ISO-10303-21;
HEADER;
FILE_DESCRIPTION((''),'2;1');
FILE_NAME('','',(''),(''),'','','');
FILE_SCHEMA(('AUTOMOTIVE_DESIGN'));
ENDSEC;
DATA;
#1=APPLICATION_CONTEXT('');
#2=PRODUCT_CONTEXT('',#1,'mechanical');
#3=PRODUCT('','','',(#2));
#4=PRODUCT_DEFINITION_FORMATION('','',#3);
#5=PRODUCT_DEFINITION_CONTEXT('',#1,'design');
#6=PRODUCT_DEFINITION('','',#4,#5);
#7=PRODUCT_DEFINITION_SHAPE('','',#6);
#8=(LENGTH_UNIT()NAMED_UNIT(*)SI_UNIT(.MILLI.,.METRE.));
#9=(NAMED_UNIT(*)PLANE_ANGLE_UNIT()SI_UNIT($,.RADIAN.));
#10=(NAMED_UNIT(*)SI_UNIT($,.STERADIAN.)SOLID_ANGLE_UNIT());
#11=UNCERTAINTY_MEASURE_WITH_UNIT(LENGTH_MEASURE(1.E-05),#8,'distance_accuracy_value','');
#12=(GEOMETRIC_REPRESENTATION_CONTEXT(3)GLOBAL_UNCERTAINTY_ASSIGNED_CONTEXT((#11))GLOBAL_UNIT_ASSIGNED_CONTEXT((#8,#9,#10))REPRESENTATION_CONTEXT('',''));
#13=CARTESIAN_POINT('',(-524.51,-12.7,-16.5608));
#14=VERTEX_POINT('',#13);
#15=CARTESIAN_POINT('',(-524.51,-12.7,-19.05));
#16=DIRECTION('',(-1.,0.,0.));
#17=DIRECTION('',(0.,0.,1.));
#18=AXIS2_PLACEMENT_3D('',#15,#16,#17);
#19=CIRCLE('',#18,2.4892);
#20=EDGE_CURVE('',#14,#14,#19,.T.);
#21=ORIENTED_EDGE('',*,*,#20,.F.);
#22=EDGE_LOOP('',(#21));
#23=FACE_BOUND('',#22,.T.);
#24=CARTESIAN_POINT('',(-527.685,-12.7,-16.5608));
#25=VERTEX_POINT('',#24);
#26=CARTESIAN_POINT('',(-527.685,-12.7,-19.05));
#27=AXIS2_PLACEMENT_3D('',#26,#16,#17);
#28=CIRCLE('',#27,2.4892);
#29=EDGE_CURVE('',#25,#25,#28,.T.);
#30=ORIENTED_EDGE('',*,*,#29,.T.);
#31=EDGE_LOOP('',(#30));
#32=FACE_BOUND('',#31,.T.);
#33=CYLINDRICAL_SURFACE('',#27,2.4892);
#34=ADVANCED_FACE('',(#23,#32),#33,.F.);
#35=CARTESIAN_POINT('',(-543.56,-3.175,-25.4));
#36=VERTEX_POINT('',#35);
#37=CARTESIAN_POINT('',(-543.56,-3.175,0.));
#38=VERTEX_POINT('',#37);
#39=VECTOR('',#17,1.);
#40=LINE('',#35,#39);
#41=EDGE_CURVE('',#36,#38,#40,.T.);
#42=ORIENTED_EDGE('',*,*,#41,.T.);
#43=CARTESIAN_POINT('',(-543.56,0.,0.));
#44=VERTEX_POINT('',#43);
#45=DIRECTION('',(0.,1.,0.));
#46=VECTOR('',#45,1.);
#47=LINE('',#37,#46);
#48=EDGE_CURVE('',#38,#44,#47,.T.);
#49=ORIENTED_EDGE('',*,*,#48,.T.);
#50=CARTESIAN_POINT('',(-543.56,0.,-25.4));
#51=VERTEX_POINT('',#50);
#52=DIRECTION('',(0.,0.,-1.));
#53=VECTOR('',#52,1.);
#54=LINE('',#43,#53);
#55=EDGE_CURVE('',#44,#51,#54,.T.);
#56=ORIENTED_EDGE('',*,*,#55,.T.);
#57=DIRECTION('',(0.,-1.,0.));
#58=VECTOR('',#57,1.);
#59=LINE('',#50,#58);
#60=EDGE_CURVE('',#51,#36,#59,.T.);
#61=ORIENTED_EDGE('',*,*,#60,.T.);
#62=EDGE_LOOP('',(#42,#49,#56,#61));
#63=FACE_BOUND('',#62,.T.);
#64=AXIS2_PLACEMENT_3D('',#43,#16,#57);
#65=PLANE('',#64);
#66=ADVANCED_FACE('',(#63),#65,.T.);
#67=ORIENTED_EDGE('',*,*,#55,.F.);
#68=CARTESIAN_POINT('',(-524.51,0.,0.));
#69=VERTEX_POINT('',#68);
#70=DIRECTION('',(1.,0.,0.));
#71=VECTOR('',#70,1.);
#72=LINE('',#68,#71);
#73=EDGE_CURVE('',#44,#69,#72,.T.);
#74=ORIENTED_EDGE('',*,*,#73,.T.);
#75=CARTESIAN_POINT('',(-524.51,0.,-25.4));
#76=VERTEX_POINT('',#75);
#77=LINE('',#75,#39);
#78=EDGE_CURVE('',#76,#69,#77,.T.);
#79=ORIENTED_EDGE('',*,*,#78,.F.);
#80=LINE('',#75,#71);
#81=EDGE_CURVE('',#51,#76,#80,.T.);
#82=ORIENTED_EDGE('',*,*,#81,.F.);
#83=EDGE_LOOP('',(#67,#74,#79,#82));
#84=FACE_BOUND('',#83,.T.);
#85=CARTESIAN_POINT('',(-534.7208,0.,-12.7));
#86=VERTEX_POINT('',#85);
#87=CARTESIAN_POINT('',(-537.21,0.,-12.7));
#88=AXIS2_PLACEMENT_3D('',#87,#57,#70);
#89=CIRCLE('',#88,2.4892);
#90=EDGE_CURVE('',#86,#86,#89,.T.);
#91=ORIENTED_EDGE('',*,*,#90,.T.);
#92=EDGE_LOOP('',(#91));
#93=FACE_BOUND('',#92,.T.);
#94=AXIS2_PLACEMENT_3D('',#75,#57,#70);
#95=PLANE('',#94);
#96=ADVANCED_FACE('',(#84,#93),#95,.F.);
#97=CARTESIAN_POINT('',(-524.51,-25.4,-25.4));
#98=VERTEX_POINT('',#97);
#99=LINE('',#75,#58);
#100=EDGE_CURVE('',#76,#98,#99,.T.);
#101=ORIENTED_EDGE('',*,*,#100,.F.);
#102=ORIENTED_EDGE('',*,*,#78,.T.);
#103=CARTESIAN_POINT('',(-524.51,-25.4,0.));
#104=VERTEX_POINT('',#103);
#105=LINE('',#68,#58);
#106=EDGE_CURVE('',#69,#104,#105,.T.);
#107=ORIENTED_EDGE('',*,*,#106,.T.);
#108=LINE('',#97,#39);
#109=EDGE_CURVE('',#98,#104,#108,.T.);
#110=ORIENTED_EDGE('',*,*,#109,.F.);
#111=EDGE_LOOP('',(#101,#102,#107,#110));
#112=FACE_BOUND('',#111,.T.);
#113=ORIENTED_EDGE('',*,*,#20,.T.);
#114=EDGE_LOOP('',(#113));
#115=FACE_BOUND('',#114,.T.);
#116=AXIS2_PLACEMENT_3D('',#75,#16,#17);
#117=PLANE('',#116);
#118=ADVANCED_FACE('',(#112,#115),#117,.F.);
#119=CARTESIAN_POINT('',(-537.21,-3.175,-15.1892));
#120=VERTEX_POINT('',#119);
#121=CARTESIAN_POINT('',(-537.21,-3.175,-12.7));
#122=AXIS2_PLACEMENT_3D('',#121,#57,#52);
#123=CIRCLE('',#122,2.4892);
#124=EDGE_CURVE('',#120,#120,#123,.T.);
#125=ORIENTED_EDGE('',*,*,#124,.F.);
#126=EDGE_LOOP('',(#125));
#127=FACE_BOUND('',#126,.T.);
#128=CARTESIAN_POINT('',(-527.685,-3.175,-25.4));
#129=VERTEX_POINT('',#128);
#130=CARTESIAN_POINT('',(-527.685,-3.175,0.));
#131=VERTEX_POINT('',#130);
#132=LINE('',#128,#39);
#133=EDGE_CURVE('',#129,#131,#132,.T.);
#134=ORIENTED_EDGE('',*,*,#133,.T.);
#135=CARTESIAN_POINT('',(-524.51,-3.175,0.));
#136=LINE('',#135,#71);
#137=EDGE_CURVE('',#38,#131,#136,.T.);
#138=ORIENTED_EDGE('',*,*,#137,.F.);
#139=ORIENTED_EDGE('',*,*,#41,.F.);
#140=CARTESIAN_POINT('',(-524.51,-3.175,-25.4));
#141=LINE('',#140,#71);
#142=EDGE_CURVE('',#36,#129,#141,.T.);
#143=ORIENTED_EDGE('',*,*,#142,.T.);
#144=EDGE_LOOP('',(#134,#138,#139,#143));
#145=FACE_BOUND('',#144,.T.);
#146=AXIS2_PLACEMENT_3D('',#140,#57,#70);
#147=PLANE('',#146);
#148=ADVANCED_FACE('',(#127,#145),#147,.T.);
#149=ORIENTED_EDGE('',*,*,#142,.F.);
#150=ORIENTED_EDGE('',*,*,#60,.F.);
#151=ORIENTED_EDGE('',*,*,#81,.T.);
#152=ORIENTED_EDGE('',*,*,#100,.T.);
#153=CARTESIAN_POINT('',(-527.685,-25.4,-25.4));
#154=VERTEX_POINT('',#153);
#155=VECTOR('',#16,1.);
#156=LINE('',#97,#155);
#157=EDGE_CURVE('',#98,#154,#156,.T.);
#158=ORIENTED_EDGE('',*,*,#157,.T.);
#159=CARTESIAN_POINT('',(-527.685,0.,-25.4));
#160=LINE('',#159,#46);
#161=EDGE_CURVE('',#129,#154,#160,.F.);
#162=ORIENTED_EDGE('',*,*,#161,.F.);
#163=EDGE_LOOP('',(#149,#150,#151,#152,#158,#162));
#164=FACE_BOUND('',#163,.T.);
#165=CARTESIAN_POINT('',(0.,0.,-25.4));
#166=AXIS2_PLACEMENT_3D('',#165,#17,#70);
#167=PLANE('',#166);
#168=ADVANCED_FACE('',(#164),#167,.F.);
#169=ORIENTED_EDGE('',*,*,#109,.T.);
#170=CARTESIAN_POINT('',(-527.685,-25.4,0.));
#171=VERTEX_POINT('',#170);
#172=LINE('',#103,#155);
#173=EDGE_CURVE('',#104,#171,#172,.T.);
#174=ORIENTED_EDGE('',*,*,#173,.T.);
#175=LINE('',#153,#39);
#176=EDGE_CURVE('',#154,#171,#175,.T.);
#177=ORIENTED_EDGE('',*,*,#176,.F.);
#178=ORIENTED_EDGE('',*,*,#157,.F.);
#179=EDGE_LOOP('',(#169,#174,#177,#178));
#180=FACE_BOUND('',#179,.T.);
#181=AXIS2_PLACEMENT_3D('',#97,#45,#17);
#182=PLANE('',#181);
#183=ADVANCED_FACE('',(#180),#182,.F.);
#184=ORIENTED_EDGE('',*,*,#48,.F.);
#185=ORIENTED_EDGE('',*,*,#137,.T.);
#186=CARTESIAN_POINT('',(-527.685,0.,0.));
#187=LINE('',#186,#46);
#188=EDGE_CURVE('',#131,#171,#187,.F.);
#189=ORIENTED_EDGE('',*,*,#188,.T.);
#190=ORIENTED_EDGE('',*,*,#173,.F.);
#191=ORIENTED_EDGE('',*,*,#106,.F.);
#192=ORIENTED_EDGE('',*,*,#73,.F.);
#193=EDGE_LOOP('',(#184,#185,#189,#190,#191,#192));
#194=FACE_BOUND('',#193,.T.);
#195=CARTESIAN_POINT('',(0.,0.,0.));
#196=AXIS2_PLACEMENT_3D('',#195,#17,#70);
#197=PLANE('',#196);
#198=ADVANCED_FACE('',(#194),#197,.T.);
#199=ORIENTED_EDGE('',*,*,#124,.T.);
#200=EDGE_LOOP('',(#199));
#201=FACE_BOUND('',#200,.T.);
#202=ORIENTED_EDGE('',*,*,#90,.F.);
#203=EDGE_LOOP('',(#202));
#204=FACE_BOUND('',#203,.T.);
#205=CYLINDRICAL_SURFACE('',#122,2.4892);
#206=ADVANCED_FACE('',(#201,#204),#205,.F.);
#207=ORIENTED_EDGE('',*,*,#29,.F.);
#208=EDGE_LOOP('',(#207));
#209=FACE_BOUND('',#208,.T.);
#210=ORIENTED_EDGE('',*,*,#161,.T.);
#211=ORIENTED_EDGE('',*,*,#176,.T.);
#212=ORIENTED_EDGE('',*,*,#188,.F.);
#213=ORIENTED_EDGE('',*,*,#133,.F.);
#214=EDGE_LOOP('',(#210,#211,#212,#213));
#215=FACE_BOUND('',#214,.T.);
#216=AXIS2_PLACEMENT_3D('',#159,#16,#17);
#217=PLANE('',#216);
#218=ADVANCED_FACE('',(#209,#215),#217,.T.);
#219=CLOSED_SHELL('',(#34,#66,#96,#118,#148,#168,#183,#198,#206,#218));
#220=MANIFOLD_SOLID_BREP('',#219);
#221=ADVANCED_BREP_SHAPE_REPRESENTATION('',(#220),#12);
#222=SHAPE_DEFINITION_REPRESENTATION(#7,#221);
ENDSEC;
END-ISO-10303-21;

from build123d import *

# Parameters (mm, degrees)
EXTRUDE_THIN1_DEPTH            = 25.4
F_9_0_196_DIAMETER_HOLE1_D     = 4.9784
F_9_0_196_DIAMETER_HOLE1_DEPTH = 3.175
F_9_0_196_DIAMETER_HOLE3_D     = 4.9784
F_9_0_196_DIAMETER_HOLE3_DEPTH = 3.175
SKETCH11_W                     = 25.4
SKETCH11_H                     = 3.175
CUT_EXTRUDE1_DEPTH             = 6.35


with BuildPart() as part:
    # Sketch1 → Extrude-Thin1 (new body)
    with BuildSketch(Plane.XY):
        Polygon((-524.51, -25.4), (-524.51, 0), (-549.91, 0), (-549.91, -3.175), (-527.685, -3.175), (-527.685, -25.4), align=None)
    extrude(amount=-EXTRUDE_THIN1_DEPTH)

    # #9 (0.196) Diameter Hole1
    with Locations(Plane.ZY.offset(527.685)):
        with Locations((-19.05, -12.7)):
            Hole(F_9_0_196_DIAMETER_HOLE1_D / 2, depth=F_9_0_196_DIAMETER_HOLE1_DEPTH)

    # #9 (0.196) Diameter Hole3
    with Locations(Plane(origin=(0, -3.175, 0), x_dir=(-1, 0, 0), z_dir=(0, -1, 0))):
        with Locations((537.21, 12.7)):
            Hole(F_9_0_196_DIAMETER_HOLE3_D / 2, depth=F_9_0_196_DIAMETER_HOLE3_DEPTH)

    # Sketch11 → Cut-Extrude1 (cut)
    with BuildSketch(Plane.ZY.offset(549.91)):
        with Locations((-12.7, -1.5875)):
            Rectangle(SKETCH11_W, SKETCH11_H)
    extrude(amount=-CUT_EXTRUDE1_DEPTH, mode=Mode.SUBTRACT)


solid = part.part
